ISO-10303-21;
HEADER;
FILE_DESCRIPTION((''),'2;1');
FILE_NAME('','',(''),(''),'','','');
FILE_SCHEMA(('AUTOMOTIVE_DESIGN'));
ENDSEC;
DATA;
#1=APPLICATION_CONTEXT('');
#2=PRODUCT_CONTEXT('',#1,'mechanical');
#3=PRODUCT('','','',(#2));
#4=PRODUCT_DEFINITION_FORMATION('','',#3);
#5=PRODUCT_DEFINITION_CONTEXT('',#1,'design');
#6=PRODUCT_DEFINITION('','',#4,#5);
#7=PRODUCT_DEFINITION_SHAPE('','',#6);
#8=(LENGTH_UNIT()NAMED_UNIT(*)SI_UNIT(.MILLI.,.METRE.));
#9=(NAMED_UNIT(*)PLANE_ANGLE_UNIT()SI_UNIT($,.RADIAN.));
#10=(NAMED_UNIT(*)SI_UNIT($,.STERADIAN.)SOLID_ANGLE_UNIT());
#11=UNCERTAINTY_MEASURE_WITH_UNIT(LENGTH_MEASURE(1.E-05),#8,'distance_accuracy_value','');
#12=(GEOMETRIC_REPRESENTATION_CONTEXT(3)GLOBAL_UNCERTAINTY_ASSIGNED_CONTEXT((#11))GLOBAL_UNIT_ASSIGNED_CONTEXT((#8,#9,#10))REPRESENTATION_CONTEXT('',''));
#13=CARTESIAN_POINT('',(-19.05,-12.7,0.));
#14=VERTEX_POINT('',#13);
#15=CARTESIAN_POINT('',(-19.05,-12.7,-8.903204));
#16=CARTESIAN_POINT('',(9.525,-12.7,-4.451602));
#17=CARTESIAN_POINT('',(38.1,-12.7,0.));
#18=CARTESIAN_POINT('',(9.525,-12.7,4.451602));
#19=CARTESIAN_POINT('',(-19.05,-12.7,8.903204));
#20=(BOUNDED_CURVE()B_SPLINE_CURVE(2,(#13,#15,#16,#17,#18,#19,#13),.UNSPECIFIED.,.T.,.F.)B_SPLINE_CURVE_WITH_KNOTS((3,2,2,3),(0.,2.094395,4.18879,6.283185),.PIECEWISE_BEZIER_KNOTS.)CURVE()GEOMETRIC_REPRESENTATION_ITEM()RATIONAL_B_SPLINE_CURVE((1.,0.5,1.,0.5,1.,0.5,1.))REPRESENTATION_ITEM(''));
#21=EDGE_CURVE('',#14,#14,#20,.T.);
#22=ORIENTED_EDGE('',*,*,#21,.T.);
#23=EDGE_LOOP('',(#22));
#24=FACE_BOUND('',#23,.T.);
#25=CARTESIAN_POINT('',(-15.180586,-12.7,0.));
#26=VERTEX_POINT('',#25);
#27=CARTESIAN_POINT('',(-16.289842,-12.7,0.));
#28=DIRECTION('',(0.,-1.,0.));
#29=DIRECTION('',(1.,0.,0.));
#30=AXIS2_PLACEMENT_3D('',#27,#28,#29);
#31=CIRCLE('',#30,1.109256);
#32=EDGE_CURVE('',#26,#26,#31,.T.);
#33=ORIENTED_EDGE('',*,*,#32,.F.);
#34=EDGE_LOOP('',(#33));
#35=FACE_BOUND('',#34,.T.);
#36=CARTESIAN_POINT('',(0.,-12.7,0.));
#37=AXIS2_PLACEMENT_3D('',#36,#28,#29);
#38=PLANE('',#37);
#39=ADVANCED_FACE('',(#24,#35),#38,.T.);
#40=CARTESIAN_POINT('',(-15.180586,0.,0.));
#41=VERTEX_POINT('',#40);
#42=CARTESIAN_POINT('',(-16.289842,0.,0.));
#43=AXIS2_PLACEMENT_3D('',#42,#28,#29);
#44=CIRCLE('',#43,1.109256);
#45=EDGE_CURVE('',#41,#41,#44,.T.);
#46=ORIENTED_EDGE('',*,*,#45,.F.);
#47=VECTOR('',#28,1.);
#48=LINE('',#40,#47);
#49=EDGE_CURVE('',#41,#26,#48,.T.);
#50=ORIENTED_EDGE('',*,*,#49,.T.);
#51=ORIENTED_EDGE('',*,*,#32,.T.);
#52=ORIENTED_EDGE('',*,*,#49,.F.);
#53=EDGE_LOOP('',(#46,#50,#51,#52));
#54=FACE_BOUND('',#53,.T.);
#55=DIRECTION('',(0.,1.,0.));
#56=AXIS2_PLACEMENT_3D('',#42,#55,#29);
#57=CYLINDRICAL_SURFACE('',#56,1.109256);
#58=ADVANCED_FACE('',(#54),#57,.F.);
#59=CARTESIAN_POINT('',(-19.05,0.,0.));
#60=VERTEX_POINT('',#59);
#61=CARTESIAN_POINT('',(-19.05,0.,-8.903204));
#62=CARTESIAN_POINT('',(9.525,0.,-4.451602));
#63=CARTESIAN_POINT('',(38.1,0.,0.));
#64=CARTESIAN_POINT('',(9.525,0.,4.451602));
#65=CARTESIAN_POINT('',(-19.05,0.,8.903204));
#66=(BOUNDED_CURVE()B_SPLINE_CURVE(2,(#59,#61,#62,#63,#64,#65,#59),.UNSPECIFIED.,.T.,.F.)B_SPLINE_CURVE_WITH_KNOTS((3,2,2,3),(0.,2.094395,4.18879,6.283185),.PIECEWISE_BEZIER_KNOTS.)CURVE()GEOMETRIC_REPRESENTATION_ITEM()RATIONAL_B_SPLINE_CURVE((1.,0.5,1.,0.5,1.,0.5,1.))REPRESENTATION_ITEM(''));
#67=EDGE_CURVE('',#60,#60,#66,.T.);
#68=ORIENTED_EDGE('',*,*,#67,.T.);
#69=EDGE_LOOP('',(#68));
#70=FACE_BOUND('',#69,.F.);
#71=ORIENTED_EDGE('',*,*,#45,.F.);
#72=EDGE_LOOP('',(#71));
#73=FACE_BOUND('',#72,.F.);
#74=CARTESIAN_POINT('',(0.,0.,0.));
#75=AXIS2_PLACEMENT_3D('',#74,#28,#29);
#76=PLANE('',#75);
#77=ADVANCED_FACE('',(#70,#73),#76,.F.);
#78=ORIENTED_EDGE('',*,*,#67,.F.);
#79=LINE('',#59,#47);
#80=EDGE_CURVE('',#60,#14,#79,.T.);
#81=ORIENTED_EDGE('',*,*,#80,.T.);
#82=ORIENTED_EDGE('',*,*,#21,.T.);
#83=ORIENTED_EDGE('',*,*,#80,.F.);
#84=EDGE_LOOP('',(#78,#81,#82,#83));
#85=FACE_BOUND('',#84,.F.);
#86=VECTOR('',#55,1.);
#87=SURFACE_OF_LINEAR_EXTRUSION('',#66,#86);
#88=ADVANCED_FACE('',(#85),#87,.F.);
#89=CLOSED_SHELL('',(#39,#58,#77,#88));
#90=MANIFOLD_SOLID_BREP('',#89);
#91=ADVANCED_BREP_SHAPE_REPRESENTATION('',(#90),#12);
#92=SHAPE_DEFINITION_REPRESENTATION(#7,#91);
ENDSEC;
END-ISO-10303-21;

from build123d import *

# Parameters (mm, degrees)
F0_R     = 1.109256
F1_DEPTH = 12.7


with BuildPart() as f1:
    # F0 (on Front) → F1 (new body)
    with BuildSketch(Plane.XZ):
        with BuildLine():
            add(Edge.make_bspline(
                [(-19.05, 0), (-19.05, -8.903204), (9.525, -4.451602), (38.1, 0), (9.525, 4.451602), (-19.05, 8.903204), (-19.05, 0)],
                knots=[0, 0, 0, 2.094395, 2.094395, 4.18879, 4.18879, 6.283185, 6.283185, 6.283185], degree=2, weights=[1, 0.5, 1, 0.5, 1, 0.5, 1]))
        make_face()
        with Locations((-16.289842, 0)):
            Circle(F0_R, mode=Mode.SUBTRACT)
    extrude(amount=F1_DEPTH)


solid = f1.part
